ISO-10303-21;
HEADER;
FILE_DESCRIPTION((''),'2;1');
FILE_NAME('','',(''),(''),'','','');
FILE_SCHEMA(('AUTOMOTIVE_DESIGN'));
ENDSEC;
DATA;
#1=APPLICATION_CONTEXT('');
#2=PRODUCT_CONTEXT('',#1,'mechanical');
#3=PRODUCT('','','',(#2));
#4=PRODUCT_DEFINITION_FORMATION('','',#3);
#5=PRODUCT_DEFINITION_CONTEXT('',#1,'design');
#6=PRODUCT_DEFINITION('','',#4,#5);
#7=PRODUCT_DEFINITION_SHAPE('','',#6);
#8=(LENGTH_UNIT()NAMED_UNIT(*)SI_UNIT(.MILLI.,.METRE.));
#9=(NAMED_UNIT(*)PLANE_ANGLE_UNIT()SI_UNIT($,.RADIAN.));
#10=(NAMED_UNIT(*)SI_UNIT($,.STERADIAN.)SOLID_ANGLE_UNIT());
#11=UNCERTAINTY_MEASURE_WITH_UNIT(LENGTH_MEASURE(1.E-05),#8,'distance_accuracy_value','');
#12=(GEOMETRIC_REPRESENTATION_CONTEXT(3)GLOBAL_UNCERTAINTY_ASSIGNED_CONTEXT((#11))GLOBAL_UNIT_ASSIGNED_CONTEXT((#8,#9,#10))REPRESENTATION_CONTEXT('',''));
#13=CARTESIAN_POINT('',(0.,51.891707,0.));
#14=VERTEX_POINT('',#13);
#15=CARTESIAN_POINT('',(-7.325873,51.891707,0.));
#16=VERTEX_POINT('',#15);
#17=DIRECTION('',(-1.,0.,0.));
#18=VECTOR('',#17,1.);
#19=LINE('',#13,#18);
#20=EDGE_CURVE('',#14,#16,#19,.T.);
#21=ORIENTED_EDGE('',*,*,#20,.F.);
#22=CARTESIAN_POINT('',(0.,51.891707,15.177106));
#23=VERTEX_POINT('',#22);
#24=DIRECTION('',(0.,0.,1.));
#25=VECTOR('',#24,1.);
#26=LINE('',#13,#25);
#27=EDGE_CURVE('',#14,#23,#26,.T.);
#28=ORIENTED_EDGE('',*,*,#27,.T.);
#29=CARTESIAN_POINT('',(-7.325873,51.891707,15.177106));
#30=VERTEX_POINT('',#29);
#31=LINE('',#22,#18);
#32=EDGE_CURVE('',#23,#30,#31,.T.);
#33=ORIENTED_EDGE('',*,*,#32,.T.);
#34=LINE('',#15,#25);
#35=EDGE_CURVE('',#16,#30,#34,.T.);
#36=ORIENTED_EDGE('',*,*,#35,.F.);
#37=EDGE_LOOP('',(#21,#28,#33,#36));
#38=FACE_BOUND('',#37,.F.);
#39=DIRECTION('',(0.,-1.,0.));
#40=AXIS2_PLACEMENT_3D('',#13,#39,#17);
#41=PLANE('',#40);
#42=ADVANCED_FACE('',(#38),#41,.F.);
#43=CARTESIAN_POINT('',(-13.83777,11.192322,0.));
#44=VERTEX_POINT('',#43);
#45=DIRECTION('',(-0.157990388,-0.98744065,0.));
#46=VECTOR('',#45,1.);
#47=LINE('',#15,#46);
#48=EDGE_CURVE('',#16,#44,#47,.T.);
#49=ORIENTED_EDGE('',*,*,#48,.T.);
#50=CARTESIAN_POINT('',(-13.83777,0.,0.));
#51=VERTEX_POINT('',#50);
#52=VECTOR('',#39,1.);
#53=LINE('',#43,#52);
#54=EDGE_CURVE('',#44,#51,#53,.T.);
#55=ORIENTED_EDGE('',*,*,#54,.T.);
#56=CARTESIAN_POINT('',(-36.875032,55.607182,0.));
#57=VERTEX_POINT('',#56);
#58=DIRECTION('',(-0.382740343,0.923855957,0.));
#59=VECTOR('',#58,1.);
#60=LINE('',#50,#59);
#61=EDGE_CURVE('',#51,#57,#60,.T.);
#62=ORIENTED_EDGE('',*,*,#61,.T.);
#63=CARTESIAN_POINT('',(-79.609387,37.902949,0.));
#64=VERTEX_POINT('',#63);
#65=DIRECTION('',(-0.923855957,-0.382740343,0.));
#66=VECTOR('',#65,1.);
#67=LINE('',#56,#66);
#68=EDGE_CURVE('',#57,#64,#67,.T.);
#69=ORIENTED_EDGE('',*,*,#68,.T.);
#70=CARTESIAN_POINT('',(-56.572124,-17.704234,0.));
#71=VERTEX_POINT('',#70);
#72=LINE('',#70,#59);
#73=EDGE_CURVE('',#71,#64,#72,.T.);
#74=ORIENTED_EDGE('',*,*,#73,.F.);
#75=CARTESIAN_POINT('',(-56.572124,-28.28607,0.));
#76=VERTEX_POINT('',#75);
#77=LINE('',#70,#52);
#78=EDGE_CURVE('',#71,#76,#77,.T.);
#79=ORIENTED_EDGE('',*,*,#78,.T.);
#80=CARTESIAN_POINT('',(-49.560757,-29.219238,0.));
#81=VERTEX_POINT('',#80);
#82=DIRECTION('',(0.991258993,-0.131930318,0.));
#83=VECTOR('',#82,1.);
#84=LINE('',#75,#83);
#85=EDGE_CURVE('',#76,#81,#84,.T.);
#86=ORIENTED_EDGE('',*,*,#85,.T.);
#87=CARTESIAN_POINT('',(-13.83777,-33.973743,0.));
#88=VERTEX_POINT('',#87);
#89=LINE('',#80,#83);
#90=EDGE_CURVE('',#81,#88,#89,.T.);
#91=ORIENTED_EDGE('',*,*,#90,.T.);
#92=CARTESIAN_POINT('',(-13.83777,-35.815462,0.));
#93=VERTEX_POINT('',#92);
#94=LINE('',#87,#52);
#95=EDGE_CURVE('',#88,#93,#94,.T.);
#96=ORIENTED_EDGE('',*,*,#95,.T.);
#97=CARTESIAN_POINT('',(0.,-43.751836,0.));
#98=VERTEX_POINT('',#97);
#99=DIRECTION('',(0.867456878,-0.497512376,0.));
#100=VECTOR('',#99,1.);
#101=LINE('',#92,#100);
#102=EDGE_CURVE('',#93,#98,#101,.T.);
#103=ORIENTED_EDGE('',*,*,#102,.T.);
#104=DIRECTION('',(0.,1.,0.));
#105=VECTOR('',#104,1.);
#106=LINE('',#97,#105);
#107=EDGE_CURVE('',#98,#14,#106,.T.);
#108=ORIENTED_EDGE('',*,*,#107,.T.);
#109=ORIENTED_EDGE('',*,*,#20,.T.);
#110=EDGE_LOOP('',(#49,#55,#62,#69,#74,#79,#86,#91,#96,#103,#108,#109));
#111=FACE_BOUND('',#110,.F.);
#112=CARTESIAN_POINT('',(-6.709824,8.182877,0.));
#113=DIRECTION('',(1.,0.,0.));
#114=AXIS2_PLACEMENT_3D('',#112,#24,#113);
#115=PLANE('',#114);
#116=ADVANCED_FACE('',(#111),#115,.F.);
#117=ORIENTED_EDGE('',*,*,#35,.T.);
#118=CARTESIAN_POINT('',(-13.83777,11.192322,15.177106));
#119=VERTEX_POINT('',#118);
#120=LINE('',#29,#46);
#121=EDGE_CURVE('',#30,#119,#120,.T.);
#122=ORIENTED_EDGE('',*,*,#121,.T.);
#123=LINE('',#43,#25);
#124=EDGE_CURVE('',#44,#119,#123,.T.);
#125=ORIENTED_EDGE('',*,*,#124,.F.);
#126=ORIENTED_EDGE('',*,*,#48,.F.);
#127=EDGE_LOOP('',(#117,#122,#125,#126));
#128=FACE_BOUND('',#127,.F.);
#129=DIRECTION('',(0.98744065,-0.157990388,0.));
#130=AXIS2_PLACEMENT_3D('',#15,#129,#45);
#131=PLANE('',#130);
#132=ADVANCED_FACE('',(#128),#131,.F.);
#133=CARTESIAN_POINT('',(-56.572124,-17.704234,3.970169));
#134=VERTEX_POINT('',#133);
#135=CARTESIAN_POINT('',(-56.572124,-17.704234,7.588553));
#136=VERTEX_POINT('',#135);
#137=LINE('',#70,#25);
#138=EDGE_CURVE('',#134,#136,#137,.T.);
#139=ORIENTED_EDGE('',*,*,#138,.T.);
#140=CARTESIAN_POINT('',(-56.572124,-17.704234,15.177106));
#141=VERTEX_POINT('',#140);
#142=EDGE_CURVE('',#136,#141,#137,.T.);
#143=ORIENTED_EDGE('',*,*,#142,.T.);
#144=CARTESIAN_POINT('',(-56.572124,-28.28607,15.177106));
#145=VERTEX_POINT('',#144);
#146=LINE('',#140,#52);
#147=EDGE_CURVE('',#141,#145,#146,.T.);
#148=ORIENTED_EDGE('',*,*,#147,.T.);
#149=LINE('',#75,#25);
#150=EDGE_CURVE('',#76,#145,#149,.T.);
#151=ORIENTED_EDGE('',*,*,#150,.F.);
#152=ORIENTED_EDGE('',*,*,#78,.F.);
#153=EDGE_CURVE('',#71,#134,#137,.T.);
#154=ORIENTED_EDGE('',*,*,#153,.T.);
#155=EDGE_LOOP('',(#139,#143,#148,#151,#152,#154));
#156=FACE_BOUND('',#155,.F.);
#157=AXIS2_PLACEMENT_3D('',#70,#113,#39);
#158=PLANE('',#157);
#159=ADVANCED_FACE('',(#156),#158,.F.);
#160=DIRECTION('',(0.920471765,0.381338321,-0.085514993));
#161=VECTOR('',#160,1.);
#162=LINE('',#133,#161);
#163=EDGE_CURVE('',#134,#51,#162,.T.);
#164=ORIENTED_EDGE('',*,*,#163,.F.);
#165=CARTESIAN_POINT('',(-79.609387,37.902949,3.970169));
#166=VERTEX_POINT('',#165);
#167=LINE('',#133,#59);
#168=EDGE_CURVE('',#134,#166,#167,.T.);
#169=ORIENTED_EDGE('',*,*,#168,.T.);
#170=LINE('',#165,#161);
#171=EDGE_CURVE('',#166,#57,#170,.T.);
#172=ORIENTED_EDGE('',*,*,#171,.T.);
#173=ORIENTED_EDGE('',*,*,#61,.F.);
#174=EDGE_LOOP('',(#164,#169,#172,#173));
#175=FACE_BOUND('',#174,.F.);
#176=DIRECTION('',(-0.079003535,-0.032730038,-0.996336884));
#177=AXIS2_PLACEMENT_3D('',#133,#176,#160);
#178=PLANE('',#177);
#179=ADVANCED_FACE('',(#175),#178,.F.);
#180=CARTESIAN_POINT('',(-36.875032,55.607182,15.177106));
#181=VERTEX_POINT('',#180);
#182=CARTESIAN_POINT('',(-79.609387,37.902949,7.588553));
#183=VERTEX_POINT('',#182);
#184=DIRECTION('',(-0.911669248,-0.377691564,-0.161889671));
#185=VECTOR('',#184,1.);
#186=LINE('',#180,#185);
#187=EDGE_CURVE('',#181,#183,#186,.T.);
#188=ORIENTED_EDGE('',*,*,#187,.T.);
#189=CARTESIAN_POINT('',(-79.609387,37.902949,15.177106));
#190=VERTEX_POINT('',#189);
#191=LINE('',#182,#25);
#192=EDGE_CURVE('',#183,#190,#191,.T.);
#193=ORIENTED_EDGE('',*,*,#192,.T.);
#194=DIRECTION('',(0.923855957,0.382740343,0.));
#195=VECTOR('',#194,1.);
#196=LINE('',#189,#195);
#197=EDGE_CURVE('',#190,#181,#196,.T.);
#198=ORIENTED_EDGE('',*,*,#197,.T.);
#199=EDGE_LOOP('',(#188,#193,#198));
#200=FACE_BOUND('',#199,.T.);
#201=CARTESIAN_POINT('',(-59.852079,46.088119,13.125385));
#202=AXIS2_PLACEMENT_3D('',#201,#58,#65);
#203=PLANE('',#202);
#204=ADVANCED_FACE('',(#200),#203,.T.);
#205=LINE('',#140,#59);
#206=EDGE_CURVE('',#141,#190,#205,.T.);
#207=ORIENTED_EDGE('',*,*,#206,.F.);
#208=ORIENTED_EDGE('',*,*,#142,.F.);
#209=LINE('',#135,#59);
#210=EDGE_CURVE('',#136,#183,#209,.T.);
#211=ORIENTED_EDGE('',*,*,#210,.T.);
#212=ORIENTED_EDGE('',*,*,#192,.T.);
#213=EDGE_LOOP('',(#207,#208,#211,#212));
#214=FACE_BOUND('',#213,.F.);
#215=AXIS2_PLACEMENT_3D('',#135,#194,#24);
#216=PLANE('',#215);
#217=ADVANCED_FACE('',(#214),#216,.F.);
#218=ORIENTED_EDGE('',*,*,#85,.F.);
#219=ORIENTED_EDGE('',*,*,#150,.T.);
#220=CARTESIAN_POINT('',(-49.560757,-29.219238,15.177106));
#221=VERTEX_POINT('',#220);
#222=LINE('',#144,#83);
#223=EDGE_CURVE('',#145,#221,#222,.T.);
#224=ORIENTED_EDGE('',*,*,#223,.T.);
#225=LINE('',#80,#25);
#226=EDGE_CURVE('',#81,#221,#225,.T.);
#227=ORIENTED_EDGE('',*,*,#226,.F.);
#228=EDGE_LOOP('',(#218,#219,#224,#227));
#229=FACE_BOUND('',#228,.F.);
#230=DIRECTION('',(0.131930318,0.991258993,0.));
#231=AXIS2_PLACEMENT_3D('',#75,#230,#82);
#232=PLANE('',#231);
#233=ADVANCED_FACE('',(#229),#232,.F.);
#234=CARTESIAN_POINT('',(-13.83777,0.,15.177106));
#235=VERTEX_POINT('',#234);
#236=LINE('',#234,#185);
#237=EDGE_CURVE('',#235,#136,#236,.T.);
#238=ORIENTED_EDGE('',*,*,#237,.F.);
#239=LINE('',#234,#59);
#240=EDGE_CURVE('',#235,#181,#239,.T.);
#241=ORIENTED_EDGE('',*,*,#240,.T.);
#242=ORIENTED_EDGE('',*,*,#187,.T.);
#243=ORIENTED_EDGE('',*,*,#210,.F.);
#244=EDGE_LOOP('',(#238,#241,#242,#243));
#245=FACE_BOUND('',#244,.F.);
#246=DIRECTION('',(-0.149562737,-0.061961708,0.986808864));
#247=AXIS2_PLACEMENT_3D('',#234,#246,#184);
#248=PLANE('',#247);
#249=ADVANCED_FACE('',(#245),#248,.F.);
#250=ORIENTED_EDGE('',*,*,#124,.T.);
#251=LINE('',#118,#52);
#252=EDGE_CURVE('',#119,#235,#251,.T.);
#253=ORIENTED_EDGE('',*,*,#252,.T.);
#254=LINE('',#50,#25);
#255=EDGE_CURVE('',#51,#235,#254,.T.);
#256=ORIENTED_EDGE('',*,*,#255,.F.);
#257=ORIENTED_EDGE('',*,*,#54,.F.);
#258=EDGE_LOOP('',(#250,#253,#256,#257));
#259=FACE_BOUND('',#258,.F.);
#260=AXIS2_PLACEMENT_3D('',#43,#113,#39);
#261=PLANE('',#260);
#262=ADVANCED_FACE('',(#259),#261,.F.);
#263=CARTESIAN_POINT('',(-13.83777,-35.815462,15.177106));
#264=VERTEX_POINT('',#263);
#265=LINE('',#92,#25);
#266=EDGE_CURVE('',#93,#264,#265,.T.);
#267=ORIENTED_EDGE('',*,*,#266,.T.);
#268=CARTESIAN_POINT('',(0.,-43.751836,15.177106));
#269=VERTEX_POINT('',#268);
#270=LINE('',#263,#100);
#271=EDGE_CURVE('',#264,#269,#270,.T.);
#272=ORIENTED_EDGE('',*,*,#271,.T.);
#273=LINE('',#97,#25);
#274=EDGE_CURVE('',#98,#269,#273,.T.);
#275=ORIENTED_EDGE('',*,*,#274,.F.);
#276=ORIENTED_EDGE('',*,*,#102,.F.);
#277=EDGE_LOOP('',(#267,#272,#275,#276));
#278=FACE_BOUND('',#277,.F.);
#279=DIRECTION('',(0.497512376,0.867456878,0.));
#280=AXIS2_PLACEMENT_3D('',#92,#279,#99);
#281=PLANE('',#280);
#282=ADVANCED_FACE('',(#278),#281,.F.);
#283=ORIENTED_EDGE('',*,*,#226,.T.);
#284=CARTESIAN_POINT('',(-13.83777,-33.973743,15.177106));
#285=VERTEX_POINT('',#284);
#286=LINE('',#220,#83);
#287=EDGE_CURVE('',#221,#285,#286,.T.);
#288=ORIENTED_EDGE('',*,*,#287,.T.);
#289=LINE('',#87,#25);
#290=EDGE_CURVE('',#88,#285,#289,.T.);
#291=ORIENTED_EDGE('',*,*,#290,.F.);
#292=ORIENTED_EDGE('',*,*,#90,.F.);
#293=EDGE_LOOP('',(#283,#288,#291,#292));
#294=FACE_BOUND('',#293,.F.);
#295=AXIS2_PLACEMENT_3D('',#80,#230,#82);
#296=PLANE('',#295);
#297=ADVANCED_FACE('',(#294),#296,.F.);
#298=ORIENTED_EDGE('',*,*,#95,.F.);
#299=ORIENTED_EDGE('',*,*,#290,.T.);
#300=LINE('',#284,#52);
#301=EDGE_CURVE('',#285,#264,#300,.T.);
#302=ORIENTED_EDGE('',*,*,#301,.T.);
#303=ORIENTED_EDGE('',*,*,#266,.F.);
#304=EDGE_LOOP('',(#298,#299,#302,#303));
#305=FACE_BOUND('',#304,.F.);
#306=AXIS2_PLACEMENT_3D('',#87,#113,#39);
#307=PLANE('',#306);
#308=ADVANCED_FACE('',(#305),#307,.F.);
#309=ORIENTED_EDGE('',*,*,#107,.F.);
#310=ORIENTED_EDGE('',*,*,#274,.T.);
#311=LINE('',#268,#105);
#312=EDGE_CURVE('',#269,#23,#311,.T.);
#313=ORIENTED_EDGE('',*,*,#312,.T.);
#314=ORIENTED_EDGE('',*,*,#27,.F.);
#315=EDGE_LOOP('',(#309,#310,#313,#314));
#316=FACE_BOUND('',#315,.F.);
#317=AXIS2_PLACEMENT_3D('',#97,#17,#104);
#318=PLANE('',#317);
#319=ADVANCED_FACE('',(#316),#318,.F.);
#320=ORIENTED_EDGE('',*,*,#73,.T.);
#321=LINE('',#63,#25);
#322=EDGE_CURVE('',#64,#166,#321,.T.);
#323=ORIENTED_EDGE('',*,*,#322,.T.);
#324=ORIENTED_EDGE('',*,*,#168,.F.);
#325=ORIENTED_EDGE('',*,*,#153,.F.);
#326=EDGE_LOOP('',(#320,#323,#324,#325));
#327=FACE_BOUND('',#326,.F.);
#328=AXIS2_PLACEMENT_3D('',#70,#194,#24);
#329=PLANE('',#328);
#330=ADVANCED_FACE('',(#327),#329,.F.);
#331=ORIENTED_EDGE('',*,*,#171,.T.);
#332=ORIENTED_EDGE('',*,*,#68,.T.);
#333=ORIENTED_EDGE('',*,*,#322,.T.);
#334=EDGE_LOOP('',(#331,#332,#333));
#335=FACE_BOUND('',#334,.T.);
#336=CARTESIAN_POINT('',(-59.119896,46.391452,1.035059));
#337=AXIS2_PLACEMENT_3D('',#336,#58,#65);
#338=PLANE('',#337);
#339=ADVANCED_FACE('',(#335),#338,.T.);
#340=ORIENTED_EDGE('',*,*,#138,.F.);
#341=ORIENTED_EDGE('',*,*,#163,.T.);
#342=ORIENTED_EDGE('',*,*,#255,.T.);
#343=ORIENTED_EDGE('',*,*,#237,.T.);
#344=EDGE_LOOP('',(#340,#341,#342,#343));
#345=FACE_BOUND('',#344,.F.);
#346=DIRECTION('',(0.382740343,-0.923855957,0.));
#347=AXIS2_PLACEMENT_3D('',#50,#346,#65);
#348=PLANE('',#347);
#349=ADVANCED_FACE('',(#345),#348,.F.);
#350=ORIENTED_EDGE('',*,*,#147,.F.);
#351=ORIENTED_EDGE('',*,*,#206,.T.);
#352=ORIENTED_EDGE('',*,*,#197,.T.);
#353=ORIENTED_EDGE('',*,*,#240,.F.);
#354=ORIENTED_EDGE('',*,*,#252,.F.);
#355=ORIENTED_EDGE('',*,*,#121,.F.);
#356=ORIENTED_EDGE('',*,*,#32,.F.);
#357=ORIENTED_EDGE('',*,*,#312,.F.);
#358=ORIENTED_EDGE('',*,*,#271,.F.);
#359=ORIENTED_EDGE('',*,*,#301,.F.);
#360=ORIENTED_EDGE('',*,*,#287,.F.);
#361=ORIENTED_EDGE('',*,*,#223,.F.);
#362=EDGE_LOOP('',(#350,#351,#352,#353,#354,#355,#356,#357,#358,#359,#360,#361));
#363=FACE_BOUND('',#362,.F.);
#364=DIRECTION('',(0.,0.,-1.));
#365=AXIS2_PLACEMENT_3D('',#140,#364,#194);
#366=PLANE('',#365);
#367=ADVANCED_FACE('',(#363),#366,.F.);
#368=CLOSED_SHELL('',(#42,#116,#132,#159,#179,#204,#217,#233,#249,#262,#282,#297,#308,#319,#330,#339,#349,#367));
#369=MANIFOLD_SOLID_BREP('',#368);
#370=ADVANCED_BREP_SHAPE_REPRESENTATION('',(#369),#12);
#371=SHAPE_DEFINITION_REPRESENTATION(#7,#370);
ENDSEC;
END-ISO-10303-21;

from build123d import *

# Parameters (mm, degrees)
F1_DEPTH = 15.1771064848
F3_DEPTH = 60.1903162897


with BuildPart() as f1:
    # F0 (on Top) → F1 (new body)
    with BuildSketch(Plane.XY):
        with BuildLine():
            Line((0, 48.4988354146), (0, 51.8917068839))
            Line((0, 51.8917068839), (-7.3258727789, 51.8917068839))
            Line((-7.3258727789, 51.8917068839), (-13.8377696276, 11.1923217773))
            Line((-13.8377696276, 11.1923217773), (-13.8377696276, 0))
            Line((-13.8377696276, 0), (-13.8377696276, -33.9737426353))
            Line((-13.8377696276, -33.9737426353), (0, -35.8154624701))
            Line((0, -35.8154624701), (0, 22.8033978492))
            add(Edge.make_bspline(
                [(-8.2446089201, 26.9673866569), (-5.2873253876, 24.8564816369), (-2.3300421202, 22.7455758269), (0, 22.8033978492)],
                knots=[0, 0, 0, 0, 0.556484017, 0.556484017, 0.556484017, 0.556484017], degree=3))
            Line((-8.2446089201, 26.9673866569), (-5.2558612078, 45.6470735371))
            add(Edge.make_bspline(
                [(-5.2558612078, 45.6470735371), (-3.6259447116, 46.9050929416), (-1.9960278435, 48.1631122934), (0, 48.4988354146)],
                knots=[0, 0, 0, 0, 0.4632143098, 0.4632143098, 0.4632143098, 0.4632143098], degree=3))
        make_face()
        Polygon((-13.8377696276, -33.9737426353), (-13.8377696276, 0), (-56.572124362, -17.7042335272), (-56.572124362, -28.2860696316), (-49.560756886, -29.2192384078), (-42.7343398333, -30.1277914496), align=None)
        with BuildLine():
            Line((0, 22.8033978492), (0, 48.4988354146))
            add(Edge.make_bspline(
                [(-5.2558612078, 45.6470735371), (-3.6259447116, 46.9050929416), (-1.9960278435, 48.1631122934), (0, 48.4988354146)],
                knots=[0, 0, 0, 0, 0.4632143098, 0.4632143098, 0.4632143098, 0.4632143098], degree=3))
            Line((-5.2558612078, 45.6470735371), (-8.2446089201, 26.9673866569))
            add(Edge.make_bspline(
                [(-8.2446089201, 26.9673866569), (-5.2873253876, 24.8564816369), (-2.3300421202, 22.7455758269), (0, 22.8033978492)],
                knots=[0, 0, 0, 0, 0.556484017, 0.556484017, 0.556484017, 0.556484017], degree=3))
        make_face()
        Polygon((0, -43.7518358231), (0, -35.8154624701), (-13.8377696276, -33.9737426353), (-13.8377696276, -35.8154624701), align=None)
    extrude(amount=F1_DEPTH)

    # F2 (on face) → F3 (join)
    with BuildSketch(Plane(origin=(-2.0270972326, 4.8929930847, 0), x_dir=(-0.9238559571, -0.3827403435, 0), z_dir=(-0.3827403435, 0.9238559571, 0))):
        Polygon((12.7841059034, 15.1771064848), (59.0406185189, 7.5885532424), (59.0406185189, 15.1771064848), align=None)
        Polygon((59.0406185189, 0), (59.0406185189, 3.9701685309), (12.7841059034, 0), align=None)
    extrude(amount=F3_DEPTH)


solid = f1.part
